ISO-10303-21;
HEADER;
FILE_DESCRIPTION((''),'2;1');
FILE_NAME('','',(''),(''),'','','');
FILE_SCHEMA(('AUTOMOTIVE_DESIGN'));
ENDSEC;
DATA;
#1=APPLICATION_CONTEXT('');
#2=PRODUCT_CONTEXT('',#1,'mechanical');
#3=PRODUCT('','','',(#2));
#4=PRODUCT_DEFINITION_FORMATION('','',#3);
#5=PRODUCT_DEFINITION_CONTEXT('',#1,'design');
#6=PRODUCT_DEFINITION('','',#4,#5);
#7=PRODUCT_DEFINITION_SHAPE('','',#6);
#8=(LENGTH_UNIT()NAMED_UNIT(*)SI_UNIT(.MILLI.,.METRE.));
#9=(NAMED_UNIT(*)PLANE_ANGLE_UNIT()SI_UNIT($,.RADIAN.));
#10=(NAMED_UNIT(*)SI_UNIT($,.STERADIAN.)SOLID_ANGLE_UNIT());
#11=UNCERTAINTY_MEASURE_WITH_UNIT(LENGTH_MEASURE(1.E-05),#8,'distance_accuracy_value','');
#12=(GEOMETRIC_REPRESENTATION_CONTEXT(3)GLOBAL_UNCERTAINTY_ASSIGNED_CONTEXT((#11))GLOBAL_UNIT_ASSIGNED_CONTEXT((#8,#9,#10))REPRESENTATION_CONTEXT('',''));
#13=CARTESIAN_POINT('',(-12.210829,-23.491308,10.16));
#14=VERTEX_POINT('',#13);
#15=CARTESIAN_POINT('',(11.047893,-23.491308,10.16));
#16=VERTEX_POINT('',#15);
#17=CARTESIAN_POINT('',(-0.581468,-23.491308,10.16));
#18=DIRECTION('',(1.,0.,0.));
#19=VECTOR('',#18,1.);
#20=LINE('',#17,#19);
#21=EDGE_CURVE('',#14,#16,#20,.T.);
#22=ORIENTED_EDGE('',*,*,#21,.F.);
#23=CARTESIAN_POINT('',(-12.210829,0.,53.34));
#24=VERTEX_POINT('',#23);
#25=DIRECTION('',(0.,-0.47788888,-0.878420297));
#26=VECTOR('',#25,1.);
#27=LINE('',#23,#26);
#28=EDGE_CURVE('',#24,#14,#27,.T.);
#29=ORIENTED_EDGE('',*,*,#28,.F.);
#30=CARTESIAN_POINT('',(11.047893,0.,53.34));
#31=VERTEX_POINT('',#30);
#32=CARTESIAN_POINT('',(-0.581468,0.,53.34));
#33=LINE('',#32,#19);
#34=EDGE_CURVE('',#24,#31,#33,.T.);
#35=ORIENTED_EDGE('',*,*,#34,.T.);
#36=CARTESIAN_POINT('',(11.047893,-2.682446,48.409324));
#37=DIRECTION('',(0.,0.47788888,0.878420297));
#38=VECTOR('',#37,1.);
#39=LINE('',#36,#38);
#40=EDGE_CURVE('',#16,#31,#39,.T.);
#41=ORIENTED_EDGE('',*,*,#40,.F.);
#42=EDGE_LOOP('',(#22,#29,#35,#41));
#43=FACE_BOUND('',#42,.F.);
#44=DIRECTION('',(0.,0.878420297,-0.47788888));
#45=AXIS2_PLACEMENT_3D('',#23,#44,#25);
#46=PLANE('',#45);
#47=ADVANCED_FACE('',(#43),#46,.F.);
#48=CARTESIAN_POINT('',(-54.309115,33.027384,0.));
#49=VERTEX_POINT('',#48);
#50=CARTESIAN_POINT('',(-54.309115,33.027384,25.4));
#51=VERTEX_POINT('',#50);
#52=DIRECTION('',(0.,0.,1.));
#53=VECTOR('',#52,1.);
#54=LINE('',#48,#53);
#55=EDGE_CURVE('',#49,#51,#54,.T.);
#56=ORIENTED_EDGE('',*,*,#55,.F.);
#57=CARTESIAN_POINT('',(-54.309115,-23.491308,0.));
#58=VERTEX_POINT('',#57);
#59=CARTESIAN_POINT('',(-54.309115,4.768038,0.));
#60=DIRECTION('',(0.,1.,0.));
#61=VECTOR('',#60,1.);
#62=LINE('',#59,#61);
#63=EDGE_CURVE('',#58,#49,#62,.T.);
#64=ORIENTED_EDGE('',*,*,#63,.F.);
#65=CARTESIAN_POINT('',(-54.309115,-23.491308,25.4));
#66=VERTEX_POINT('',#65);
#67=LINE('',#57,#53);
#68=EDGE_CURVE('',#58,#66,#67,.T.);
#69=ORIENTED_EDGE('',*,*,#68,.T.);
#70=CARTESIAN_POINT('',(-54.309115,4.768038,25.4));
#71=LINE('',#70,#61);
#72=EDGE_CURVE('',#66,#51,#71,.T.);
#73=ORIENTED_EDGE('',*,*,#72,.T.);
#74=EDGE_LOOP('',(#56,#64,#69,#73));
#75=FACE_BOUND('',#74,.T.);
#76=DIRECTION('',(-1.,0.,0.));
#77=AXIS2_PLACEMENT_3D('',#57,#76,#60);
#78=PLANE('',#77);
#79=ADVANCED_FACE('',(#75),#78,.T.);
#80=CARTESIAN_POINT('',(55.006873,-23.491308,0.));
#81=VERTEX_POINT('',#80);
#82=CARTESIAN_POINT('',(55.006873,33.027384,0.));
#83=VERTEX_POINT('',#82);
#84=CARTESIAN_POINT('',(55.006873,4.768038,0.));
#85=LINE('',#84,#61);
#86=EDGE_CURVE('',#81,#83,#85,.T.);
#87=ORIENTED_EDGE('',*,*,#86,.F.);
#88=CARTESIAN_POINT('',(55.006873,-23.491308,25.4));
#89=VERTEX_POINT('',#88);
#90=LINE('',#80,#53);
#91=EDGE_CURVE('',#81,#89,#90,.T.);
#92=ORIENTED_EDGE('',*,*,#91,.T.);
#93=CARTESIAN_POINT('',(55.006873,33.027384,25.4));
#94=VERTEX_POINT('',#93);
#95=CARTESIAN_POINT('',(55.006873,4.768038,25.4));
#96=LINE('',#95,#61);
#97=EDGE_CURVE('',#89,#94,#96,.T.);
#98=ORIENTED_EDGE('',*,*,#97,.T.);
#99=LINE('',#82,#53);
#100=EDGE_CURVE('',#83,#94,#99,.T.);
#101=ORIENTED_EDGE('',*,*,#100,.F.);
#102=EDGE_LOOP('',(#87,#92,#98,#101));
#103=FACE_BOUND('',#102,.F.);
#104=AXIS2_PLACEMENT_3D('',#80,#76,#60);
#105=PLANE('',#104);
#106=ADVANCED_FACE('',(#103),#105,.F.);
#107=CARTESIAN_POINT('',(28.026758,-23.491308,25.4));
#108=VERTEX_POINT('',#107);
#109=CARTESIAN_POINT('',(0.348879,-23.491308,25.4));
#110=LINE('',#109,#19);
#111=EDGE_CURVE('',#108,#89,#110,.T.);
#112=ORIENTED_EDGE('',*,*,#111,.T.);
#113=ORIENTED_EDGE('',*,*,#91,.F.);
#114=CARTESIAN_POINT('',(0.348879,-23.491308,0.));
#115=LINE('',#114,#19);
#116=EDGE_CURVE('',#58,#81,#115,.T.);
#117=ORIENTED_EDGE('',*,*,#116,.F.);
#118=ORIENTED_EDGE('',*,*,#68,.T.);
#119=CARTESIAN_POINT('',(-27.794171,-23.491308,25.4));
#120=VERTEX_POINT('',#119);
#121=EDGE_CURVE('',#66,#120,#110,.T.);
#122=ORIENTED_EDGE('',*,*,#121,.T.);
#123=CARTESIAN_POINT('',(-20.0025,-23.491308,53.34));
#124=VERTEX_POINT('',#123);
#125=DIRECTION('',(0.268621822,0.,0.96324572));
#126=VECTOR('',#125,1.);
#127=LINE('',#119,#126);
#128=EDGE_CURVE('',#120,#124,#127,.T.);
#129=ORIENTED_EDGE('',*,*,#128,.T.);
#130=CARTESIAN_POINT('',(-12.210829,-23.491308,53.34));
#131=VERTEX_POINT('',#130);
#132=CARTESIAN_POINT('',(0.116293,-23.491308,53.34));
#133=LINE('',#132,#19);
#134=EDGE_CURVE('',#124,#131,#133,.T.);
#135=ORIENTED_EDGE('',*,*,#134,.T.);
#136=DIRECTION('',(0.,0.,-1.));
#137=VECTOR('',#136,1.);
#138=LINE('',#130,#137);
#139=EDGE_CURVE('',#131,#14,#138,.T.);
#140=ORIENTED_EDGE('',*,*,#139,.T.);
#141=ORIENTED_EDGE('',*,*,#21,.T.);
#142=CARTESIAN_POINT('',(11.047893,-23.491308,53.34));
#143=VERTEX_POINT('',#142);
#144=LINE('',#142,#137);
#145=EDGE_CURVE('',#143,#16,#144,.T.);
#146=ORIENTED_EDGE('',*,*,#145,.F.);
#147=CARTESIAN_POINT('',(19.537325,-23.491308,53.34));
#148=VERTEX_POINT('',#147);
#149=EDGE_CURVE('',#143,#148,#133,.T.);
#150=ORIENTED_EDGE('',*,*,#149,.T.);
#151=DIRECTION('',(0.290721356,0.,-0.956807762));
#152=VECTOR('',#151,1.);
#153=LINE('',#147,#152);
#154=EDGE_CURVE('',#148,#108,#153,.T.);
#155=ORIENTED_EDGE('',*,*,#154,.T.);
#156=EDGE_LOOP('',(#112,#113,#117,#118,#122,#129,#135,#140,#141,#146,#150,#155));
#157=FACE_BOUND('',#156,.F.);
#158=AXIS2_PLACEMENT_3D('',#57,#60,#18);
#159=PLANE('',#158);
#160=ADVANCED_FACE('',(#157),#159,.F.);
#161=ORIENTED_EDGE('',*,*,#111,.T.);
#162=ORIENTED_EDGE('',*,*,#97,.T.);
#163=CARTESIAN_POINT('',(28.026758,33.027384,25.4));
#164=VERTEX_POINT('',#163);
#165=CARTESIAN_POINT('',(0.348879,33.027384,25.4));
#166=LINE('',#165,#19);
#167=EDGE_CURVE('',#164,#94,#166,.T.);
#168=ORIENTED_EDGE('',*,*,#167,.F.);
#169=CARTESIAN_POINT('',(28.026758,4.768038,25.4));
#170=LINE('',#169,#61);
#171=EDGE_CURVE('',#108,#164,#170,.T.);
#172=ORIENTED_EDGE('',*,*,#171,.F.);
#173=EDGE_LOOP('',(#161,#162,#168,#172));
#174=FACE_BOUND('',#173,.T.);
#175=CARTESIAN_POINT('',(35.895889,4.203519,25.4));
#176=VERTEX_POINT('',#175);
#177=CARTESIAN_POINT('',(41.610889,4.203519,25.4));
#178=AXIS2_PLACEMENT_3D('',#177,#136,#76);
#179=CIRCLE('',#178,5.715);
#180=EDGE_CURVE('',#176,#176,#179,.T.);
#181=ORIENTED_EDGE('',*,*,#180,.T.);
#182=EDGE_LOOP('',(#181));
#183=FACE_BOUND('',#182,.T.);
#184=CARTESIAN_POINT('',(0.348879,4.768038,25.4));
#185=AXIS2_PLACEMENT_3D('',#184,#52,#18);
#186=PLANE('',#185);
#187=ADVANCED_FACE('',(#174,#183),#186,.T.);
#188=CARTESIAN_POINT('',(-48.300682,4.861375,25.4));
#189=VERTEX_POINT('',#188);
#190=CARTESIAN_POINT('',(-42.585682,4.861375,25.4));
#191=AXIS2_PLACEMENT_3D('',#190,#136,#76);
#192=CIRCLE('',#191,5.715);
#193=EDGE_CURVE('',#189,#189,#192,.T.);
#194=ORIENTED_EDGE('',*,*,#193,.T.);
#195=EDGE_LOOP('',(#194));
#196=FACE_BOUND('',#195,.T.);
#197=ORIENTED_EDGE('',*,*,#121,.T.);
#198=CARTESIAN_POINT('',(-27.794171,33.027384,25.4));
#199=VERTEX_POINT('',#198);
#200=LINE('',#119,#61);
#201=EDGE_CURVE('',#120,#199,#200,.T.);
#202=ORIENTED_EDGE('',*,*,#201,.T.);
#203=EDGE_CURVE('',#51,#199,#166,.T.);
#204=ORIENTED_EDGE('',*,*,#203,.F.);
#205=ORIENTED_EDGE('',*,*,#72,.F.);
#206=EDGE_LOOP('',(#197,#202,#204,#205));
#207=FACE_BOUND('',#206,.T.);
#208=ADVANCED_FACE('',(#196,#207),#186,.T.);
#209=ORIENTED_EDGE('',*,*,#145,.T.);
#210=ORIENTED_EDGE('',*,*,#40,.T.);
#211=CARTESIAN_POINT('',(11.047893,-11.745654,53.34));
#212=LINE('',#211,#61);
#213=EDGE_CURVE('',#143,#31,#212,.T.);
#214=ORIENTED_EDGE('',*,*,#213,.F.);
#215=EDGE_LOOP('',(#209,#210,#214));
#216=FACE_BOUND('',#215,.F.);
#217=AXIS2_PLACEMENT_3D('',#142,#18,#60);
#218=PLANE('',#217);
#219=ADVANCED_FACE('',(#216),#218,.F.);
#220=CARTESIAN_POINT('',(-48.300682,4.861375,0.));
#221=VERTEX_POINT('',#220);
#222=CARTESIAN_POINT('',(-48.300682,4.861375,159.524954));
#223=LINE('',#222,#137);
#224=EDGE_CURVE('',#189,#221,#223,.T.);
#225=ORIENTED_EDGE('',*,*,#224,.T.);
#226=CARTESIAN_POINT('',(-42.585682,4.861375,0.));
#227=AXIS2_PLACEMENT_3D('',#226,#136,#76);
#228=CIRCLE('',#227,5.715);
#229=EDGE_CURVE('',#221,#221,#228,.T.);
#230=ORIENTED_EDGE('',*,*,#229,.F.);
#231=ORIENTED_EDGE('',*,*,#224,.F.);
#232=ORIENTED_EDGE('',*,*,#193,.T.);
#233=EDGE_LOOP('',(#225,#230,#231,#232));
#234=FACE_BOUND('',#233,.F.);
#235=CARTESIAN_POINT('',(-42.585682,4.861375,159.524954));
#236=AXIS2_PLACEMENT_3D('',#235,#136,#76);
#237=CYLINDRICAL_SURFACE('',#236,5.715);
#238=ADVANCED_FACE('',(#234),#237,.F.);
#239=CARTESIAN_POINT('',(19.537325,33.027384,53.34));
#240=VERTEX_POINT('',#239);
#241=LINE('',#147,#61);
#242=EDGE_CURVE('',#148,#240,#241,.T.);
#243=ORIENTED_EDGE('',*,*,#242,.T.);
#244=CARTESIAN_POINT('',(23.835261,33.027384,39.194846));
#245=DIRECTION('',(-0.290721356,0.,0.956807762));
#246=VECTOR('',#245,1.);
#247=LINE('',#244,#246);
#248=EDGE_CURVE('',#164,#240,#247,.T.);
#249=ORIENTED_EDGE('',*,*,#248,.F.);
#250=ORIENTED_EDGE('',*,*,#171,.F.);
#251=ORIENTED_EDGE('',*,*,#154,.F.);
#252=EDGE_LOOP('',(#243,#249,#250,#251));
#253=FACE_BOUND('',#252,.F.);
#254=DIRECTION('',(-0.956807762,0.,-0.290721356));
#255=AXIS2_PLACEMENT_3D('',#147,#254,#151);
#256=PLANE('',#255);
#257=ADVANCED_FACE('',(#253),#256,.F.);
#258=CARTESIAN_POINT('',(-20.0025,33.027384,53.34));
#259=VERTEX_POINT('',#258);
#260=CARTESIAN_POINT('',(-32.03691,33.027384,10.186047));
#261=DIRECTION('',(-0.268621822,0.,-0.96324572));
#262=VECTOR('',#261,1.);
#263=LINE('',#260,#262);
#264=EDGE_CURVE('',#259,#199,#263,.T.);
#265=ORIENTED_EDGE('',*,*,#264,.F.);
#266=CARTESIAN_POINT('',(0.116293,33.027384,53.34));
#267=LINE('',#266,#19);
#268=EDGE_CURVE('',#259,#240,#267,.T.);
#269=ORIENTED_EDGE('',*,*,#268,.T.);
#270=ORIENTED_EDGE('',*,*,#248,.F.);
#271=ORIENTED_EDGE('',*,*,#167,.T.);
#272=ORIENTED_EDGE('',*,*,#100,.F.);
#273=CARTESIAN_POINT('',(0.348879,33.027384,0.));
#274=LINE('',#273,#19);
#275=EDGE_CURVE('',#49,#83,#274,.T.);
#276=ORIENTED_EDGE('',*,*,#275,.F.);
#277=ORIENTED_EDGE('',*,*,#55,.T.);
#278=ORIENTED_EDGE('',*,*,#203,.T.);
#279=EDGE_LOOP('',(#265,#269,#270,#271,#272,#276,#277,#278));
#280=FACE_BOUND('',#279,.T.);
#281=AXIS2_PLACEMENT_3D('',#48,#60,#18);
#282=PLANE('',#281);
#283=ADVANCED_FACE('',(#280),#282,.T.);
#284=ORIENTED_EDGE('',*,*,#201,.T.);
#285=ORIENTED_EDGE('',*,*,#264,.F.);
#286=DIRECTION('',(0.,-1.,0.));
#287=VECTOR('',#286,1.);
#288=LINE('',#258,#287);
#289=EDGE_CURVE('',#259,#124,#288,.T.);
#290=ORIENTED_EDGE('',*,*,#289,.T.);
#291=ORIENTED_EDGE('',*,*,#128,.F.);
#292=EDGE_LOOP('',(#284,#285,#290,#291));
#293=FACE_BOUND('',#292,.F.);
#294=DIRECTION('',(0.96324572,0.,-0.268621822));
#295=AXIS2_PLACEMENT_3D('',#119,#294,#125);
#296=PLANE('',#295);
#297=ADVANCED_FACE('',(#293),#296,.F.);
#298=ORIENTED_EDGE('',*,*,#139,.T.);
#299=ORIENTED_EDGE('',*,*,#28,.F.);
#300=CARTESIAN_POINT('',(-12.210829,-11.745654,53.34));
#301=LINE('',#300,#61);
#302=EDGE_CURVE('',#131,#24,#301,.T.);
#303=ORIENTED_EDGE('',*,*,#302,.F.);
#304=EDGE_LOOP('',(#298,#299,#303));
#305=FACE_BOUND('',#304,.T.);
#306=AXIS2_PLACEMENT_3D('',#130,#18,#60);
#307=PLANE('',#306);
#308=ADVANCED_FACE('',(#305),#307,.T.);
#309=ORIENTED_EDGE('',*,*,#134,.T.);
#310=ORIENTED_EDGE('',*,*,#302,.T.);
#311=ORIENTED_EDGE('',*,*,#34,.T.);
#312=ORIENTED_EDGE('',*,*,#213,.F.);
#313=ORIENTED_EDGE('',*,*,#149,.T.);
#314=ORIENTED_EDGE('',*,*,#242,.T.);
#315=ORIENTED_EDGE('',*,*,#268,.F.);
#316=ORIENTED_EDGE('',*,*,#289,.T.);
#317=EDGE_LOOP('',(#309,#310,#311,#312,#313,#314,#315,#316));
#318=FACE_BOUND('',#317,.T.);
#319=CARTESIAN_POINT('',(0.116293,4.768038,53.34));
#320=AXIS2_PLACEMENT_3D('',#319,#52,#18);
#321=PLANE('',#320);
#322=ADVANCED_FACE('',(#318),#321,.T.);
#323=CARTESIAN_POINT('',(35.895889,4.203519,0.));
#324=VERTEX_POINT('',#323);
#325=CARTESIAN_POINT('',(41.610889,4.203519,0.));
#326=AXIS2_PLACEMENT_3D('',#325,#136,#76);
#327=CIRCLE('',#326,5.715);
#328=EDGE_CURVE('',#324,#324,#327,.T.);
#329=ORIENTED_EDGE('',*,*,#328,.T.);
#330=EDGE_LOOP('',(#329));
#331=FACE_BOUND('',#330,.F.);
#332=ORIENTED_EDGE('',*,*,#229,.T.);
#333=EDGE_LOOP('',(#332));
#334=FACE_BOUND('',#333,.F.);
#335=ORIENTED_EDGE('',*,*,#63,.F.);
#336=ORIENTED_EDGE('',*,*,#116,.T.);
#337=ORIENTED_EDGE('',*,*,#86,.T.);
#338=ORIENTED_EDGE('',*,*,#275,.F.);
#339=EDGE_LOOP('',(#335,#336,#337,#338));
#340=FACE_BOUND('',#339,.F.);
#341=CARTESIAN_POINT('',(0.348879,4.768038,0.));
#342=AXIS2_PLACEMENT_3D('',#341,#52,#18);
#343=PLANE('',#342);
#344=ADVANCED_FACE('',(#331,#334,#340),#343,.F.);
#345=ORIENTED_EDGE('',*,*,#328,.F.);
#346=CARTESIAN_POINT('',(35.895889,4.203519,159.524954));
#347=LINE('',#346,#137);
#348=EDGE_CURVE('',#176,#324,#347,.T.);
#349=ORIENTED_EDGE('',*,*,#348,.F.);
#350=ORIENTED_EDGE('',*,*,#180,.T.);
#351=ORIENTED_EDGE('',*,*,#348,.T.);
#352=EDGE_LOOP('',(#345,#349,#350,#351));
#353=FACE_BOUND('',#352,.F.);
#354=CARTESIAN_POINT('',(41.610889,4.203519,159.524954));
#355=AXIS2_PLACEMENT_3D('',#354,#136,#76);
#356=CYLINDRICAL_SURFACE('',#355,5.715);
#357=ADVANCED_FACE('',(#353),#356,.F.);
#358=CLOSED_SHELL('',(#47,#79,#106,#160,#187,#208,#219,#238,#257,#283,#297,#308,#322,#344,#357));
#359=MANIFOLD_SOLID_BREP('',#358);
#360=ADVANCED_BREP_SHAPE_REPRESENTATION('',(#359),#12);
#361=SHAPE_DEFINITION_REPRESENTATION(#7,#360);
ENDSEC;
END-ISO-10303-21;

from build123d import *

# Parameters (mm, degrees)
F0_W      = 109.3159876764
F0_H      = 56.5186925232
F1_DEPTH  = 25.4
F2_W      = 55.8209288865
F2_H      = 56.5186925232
F3_DEPTH  = 27.94
F4_W      = 23.2587223873
F4_H      = 23.4913080931
F5_DEPTH  = 43.18
F7_DEPTH  = 25.4
F8_DEPTH  = 38.1
F10_DEPTH = 58.42
F12_DEPTH = 25.4
F14_D     = 11.43
F16_D     = 11.43


with BuildPart() as f1:
    # F0 (on Top) → F1 (new body)
    with BuildSketch(Plane.XY):
        with Locations((0.3488790244, 4.7680381685)):
            Rectangle(F0_W, F0_H)
    extrude(amount=F1_DEPTH)

    # F2 (on face) → F3 (join)
    with BuildSketch(Plane.XY.offset(25.4)):
        with Locations((0.1162933186, 4.7680381685)):
            Rectangle(F2_W, F2_H)
    extrude(amount=F3_DEPTH)

    # F4 (on face) → F5 (cut)
    with BuildSketch(Plane.XY.offset(53.34)):
        with Locations((-0.5814679898, -11.7456540465)):
            Rectangle(F4_W, F4_H)
    extrude(amount=-F5_DEPTH, mode=Mode.SUBTRACT)

    # F6 (on face) → F7 (cut)
    with BuildSketch(Plane.XZ.offset(23.4913080931)):
        Polygon((-27.7941711247, 25.4), (-20.0025001541, 53.34), (-27.7941711247, 53.34), align=None)
    extrude(amount=-F7_DEPTH, mode=Mode.SUBTRACT)

    # F8 (cut): a face of the model
    f8_faces = [f1.faces().sort_by_distance(p)[0] for p in [
        (-25.1969474678, 1.9086919069, 44.0266666667),
    ]]
    extrude(f8_faces, amount=-F8_DEPTH, mode=Mode.SUBTRACT)

    # F9 (on face) → F10 (cut)
    with BuildSketch(Plane.XZ.offset(23.4913080931)):
        Polygon((28.0267577618, 53.34), (19.5373254828, 53.34), (28.0267577618, 25.4), align=None)
    extrude(amount=-F10_DEPTH, mode=Mode.SUBTRACT)

    # F11 (on face) → F12 (join)
    with BuildSketch(Plane.YZ.offset(-12.2108291835)):
        Polygon((0, 10.16), (0, 53.34), (-23.4913080931, 10.16), align=None)
    extrude(amount=F12_DEPTH)

    # F14 (through all)
    with Locations(Plane.XY.offset(25.4)):
        with Locations((-42.5856821239, 4.861375317)):
            Hole(F14_D / 2)

    # F16 (through all)
    with Locations(Plane.XY.offset(25.4)):
        with Locations((41.6108891368, 4.2035188526)):
            Hole(F16_D / 2)


solid = f1.part
